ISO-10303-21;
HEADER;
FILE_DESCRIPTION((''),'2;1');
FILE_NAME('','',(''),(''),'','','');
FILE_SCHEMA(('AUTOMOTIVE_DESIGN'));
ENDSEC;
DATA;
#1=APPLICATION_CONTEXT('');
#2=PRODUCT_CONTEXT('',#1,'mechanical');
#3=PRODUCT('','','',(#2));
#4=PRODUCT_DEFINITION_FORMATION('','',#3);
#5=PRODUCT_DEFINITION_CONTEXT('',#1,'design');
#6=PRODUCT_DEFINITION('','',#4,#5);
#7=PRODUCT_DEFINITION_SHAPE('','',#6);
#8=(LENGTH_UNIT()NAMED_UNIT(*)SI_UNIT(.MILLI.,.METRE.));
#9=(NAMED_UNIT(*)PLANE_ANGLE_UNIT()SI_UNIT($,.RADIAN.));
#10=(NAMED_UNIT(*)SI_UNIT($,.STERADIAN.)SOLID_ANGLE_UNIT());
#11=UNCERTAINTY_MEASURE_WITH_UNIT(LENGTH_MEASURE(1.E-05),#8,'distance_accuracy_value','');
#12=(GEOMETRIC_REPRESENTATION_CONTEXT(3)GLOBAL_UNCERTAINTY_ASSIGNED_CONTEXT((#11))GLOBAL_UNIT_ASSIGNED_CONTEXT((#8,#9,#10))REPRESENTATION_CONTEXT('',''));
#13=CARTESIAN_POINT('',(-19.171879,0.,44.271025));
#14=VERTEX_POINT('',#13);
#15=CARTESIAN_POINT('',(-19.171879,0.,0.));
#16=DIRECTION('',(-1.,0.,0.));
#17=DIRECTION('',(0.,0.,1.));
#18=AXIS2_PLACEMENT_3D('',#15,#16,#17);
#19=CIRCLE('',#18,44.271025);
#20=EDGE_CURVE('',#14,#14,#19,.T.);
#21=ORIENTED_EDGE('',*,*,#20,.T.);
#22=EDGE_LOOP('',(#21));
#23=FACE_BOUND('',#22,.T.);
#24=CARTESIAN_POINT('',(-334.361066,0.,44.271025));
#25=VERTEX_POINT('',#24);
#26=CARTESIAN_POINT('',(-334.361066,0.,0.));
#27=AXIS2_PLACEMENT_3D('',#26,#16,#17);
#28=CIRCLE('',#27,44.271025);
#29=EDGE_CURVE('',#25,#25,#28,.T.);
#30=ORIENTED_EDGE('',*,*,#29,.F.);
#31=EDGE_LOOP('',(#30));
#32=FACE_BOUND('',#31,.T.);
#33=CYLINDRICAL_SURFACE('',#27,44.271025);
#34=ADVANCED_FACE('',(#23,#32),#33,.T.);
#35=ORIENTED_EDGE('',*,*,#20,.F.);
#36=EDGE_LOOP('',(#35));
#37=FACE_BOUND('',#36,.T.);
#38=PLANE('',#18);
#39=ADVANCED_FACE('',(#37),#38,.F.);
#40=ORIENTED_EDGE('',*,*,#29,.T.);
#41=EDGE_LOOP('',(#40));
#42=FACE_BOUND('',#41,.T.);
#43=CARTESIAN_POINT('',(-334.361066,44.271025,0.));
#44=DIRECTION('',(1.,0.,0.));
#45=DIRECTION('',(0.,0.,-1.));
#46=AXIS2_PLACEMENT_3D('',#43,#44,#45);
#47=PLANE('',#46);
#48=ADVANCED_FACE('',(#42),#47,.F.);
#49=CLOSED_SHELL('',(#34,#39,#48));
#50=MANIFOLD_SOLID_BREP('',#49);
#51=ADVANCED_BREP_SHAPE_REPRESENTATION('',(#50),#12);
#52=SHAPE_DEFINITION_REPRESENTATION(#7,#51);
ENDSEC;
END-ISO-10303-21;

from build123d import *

# Parameters (mm, degrees)
ESQUISSE1_W = 315.189187025
ESQUISSE1_H = 44.271024873


with BuildPart() as part:
    # Esquisse1 → Révolution1 (revolve)
    with BuildSketch(Plane.XY, mode=Mode.PRIVATE) as r_volution1_sk:
        with Locations((-176.766472447, 22.135512437)):
            Rectangle(ESQUISSE1_W, ESQUISSE1_H)
    revolve(r_volution1_sk.sketch.rotate(Axis((-334.361065959, 0, 0), (1, 0, 0)), 90), axis=Axis((-334.361065959, 0, 0), (1, 0, 0)))


solid = part.part
